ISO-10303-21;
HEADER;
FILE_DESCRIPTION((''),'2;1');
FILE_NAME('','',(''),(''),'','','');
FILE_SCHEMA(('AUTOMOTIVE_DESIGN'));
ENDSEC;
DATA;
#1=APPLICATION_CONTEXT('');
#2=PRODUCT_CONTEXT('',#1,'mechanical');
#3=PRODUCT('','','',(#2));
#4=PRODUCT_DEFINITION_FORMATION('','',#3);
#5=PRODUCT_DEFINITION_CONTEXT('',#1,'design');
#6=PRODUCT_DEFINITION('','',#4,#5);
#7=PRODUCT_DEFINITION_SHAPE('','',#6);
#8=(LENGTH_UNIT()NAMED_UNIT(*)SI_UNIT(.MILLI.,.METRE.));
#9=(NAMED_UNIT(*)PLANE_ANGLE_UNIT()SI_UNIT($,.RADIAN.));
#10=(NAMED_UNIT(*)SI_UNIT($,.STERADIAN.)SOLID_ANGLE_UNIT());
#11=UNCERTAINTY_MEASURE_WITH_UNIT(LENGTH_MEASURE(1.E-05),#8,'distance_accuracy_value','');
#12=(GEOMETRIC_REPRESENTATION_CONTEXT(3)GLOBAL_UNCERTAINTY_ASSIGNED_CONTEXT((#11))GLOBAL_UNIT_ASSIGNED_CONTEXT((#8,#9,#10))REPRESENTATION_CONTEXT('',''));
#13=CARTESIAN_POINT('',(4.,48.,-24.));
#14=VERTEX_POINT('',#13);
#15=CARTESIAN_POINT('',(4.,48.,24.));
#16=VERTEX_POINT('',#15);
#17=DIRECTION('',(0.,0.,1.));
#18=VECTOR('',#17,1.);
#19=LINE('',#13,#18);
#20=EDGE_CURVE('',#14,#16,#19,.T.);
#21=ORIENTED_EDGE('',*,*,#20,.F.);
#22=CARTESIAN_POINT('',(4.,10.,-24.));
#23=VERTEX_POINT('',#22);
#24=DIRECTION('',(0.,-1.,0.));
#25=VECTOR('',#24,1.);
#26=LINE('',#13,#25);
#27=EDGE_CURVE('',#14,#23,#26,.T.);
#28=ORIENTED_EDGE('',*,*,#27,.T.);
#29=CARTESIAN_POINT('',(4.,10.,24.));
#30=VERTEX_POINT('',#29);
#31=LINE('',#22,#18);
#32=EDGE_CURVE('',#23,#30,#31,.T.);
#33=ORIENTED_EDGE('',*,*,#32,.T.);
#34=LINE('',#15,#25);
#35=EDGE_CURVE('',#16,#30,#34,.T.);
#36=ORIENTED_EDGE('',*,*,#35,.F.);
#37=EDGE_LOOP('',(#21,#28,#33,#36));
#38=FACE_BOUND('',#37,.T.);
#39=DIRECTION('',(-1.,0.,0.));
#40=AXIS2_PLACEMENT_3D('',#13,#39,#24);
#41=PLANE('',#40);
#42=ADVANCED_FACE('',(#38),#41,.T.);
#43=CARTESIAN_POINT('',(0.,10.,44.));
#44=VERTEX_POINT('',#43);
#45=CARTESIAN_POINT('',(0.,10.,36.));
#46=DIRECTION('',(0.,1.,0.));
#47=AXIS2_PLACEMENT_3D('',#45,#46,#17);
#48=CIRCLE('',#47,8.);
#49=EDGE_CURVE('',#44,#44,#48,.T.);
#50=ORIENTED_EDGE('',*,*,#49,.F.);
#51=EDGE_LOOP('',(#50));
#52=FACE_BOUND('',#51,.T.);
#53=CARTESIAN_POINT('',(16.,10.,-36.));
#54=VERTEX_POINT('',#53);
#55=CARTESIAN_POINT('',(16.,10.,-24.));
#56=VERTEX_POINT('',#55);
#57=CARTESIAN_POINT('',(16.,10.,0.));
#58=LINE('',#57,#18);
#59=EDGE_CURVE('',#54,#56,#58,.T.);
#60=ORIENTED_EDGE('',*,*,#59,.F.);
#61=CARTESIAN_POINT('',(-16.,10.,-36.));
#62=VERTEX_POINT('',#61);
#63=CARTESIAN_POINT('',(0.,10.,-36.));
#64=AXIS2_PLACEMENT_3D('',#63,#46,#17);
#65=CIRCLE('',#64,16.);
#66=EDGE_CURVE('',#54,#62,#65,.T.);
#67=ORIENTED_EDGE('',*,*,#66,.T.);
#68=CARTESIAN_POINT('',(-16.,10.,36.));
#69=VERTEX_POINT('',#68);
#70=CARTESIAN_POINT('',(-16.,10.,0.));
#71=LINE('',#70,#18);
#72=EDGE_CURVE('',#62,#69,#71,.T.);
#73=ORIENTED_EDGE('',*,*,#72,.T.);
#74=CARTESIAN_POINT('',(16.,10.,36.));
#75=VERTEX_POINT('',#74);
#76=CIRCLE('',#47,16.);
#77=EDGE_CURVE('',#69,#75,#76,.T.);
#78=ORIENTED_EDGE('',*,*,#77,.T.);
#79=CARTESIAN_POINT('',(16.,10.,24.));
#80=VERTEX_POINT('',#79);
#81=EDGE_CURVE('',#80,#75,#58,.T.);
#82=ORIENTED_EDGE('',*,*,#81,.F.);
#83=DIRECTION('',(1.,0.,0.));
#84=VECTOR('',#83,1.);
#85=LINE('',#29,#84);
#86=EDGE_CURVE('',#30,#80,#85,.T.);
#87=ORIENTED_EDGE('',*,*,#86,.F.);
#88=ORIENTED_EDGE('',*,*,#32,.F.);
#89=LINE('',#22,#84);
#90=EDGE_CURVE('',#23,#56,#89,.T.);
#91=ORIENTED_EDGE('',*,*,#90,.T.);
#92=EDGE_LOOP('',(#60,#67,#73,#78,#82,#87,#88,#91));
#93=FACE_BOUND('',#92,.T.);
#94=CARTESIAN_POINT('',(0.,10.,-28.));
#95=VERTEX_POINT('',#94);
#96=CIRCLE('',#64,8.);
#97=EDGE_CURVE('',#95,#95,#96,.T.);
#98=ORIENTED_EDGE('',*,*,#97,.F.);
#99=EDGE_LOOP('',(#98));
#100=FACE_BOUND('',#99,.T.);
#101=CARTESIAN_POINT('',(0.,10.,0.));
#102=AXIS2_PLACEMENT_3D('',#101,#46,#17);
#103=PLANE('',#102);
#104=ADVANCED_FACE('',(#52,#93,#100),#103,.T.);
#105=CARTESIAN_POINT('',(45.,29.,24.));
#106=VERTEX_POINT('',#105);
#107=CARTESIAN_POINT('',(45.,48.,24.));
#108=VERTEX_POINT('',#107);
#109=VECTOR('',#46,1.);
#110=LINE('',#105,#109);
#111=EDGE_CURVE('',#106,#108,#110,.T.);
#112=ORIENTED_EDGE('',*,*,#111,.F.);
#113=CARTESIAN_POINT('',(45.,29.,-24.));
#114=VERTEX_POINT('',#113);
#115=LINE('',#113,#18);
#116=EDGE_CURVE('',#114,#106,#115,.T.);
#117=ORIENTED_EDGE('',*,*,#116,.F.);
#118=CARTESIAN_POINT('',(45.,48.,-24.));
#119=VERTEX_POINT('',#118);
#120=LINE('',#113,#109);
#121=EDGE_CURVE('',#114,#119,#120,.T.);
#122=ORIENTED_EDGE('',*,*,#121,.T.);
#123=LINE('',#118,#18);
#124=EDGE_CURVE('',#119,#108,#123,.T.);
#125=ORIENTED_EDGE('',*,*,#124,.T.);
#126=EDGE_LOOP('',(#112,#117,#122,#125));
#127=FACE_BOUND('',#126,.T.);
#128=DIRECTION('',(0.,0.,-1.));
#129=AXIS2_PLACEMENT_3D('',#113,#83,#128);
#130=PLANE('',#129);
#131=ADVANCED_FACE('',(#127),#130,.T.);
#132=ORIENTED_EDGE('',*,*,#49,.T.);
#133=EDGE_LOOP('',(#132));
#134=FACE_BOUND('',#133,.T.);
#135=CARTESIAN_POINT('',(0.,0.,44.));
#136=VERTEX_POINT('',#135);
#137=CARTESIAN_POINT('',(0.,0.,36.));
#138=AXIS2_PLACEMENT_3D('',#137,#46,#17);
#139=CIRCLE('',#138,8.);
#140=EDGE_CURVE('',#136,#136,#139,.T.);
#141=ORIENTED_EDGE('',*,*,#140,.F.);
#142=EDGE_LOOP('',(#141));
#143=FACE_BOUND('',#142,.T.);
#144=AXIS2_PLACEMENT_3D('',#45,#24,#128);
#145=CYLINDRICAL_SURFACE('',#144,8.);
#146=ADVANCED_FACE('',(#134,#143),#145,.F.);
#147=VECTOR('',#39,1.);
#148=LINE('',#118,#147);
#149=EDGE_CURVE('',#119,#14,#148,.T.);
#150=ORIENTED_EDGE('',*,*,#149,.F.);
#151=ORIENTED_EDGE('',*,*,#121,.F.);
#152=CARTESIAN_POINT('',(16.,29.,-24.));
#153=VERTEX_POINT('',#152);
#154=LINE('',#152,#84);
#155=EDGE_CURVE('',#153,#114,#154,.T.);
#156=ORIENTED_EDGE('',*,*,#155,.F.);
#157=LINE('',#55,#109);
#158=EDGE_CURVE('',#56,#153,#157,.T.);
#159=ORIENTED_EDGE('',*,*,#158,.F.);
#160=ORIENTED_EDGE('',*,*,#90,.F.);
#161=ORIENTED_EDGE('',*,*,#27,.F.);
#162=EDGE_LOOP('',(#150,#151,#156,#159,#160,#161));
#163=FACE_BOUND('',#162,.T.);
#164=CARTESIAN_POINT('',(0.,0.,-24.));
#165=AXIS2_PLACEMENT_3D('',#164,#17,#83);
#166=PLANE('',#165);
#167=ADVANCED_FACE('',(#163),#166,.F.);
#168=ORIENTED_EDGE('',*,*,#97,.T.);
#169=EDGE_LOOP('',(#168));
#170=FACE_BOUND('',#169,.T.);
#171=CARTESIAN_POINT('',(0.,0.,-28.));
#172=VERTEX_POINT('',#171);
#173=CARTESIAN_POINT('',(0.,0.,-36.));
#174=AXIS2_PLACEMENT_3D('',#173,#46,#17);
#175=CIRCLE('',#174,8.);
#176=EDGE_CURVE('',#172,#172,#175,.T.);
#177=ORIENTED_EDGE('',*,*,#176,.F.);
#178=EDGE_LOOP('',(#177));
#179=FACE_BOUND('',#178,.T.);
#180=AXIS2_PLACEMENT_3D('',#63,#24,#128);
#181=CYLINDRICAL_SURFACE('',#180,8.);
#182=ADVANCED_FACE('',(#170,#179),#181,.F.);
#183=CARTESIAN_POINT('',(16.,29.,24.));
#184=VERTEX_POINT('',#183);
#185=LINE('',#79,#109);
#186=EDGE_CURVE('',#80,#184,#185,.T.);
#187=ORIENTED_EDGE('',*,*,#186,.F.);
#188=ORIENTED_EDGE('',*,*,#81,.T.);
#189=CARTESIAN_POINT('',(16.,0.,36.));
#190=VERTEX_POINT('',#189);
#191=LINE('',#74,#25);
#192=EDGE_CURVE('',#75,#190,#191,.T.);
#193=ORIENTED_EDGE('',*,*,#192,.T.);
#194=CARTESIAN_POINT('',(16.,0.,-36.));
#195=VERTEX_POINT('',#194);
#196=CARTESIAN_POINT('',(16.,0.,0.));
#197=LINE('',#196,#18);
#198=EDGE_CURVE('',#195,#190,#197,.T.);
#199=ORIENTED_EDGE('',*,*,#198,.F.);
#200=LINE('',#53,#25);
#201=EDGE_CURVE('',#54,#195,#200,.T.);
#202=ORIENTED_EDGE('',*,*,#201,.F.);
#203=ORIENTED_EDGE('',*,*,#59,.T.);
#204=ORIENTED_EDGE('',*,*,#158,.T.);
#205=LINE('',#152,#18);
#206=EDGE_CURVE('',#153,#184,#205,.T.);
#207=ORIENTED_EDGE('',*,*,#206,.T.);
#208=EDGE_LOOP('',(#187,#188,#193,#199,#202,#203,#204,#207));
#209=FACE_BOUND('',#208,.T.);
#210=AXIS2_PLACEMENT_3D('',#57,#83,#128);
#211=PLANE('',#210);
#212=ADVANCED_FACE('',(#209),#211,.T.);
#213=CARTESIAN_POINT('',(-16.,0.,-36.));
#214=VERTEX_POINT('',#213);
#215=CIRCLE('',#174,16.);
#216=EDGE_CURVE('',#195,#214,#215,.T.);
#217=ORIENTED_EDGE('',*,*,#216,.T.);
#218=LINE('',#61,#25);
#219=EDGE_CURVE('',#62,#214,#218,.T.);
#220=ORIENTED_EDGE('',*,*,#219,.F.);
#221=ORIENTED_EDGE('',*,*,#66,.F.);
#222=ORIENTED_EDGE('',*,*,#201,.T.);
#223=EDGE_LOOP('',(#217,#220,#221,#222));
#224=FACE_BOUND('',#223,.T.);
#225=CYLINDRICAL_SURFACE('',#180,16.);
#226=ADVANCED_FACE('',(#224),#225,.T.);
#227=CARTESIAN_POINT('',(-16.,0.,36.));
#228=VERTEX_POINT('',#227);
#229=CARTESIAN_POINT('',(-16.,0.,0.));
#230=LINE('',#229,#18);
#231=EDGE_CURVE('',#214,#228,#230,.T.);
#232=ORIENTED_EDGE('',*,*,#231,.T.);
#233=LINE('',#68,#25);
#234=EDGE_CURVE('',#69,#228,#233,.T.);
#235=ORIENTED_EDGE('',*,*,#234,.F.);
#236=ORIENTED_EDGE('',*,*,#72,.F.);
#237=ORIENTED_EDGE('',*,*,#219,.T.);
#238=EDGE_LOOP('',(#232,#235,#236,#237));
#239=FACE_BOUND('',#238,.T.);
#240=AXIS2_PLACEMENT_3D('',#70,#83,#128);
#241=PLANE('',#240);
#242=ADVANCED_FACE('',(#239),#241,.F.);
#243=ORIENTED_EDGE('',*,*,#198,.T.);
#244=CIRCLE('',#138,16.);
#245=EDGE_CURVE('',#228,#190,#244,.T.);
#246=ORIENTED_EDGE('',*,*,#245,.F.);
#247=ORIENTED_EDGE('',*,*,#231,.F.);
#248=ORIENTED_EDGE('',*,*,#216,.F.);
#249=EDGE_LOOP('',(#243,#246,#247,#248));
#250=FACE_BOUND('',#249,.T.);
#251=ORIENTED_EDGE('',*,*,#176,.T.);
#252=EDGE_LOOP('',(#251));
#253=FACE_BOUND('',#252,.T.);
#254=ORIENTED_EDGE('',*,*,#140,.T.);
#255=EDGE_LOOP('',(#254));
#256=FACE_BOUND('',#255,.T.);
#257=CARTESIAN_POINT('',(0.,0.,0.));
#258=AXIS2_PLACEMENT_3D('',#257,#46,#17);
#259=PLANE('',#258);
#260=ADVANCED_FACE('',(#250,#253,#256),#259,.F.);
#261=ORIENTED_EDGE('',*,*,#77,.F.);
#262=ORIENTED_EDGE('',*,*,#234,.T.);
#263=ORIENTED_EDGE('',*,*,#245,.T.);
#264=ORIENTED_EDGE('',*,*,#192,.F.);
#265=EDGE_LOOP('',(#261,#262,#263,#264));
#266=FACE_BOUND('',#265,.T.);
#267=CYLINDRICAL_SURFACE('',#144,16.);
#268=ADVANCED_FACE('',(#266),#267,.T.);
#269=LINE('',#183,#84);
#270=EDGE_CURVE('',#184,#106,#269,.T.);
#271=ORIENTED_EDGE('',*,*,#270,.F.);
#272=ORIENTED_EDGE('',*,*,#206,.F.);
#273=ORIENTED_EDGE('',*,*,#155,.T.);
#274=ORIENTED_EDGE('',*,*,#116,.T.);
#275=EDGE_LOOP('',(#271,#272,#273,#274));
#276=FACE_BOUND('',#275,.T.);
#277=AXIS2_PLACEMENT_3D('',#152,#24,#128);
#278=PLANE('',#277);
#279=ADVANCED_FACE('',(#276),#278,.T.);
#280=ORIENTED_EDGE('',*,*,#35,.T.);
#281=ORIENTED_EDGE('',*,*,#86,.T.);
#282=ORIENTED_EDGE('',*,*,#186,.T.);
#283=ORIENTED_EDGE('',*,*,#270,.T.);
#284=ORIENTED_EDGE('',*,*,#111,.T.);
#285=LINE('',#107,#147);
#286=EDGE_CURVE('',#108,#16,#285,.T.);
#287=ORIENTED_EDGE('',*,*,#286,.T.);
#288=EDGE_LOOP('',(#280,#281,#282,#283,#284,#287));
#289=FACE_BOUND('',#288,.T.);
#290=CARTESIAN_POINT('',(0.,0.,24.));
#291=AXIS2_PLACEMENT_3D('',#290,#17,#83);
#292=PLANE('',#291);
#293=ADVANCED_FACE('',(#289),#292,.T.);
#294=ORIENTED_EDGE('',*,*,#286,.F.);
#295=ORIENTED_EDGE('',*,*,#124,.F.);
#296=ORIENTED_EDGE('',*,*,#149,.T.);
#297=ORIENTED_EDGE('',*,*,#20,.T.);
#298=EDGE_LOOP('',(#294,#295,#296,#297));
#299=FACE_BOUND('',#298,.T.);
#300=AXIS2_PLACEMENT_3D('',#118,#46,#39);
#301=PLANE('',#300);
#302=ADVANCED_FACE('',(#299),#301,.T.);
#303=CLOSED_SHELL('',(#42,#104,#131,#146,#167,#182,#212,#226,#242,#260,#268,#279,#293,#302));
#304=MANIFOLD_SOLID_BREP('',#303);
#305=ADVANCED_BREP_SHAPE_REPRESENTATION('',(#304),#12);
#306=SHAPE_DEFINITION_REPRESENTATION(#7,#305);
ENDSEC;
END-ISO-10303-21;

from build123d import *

# Parameters (mm, degrees)
SKETCH2_R                = 8
BOSS_EXTRUDE1_DEPTH      = 10
BOSS_EXTRUDE2_DEPTH      = 24
BOSS_EXTRUDE2_DEPTH_BACK = 24


with BuildPart() as part:
    # Sketch2 → Boss-Extrude1 (new body)
    with BuildSketch(Plane(origin=(0, 0, 0), x_dir=(1, 0, 0), z_dir=(0, 1, 0))):
        with BuildLine():
            ThreePointArc((16, 36), (0, 52), (-16, 36))
            Line((-16, 36), (-16, -36))
            ThreePointArc((-16, -36), (0, -52), (16, -36))
            Line((16, -36), (16, 36))
        make_face()
        with Locations((0, 36)):
            Circle(SKETCH2_R, mode=Mode.SUBTRACT)
        with Locations((0, -36)):
            Circle(SKETCH2_R, mode=Mode.SUBTRACT)
    extrude(amount=BOSS_EXTRUDE1_DEPTH)

    # Sketch3 → Boss-Extrude2 (add, two sides: drawn at the far end of the back side and taken through both)
    with BuildSketch(Plane.XY.offset(-BOSS_EXTRUDE2_DEPTH_BACK)):
        Polygon((16, 10), (16, 29), (45, 29), (45, 48), (4, 48), (4, 10), align=None)
    extrude(amount=BOSS_EXTRUDE2_DEPTH + BOSS_EXTRUDE2_DEPTH_BACK)


solid = part.part
